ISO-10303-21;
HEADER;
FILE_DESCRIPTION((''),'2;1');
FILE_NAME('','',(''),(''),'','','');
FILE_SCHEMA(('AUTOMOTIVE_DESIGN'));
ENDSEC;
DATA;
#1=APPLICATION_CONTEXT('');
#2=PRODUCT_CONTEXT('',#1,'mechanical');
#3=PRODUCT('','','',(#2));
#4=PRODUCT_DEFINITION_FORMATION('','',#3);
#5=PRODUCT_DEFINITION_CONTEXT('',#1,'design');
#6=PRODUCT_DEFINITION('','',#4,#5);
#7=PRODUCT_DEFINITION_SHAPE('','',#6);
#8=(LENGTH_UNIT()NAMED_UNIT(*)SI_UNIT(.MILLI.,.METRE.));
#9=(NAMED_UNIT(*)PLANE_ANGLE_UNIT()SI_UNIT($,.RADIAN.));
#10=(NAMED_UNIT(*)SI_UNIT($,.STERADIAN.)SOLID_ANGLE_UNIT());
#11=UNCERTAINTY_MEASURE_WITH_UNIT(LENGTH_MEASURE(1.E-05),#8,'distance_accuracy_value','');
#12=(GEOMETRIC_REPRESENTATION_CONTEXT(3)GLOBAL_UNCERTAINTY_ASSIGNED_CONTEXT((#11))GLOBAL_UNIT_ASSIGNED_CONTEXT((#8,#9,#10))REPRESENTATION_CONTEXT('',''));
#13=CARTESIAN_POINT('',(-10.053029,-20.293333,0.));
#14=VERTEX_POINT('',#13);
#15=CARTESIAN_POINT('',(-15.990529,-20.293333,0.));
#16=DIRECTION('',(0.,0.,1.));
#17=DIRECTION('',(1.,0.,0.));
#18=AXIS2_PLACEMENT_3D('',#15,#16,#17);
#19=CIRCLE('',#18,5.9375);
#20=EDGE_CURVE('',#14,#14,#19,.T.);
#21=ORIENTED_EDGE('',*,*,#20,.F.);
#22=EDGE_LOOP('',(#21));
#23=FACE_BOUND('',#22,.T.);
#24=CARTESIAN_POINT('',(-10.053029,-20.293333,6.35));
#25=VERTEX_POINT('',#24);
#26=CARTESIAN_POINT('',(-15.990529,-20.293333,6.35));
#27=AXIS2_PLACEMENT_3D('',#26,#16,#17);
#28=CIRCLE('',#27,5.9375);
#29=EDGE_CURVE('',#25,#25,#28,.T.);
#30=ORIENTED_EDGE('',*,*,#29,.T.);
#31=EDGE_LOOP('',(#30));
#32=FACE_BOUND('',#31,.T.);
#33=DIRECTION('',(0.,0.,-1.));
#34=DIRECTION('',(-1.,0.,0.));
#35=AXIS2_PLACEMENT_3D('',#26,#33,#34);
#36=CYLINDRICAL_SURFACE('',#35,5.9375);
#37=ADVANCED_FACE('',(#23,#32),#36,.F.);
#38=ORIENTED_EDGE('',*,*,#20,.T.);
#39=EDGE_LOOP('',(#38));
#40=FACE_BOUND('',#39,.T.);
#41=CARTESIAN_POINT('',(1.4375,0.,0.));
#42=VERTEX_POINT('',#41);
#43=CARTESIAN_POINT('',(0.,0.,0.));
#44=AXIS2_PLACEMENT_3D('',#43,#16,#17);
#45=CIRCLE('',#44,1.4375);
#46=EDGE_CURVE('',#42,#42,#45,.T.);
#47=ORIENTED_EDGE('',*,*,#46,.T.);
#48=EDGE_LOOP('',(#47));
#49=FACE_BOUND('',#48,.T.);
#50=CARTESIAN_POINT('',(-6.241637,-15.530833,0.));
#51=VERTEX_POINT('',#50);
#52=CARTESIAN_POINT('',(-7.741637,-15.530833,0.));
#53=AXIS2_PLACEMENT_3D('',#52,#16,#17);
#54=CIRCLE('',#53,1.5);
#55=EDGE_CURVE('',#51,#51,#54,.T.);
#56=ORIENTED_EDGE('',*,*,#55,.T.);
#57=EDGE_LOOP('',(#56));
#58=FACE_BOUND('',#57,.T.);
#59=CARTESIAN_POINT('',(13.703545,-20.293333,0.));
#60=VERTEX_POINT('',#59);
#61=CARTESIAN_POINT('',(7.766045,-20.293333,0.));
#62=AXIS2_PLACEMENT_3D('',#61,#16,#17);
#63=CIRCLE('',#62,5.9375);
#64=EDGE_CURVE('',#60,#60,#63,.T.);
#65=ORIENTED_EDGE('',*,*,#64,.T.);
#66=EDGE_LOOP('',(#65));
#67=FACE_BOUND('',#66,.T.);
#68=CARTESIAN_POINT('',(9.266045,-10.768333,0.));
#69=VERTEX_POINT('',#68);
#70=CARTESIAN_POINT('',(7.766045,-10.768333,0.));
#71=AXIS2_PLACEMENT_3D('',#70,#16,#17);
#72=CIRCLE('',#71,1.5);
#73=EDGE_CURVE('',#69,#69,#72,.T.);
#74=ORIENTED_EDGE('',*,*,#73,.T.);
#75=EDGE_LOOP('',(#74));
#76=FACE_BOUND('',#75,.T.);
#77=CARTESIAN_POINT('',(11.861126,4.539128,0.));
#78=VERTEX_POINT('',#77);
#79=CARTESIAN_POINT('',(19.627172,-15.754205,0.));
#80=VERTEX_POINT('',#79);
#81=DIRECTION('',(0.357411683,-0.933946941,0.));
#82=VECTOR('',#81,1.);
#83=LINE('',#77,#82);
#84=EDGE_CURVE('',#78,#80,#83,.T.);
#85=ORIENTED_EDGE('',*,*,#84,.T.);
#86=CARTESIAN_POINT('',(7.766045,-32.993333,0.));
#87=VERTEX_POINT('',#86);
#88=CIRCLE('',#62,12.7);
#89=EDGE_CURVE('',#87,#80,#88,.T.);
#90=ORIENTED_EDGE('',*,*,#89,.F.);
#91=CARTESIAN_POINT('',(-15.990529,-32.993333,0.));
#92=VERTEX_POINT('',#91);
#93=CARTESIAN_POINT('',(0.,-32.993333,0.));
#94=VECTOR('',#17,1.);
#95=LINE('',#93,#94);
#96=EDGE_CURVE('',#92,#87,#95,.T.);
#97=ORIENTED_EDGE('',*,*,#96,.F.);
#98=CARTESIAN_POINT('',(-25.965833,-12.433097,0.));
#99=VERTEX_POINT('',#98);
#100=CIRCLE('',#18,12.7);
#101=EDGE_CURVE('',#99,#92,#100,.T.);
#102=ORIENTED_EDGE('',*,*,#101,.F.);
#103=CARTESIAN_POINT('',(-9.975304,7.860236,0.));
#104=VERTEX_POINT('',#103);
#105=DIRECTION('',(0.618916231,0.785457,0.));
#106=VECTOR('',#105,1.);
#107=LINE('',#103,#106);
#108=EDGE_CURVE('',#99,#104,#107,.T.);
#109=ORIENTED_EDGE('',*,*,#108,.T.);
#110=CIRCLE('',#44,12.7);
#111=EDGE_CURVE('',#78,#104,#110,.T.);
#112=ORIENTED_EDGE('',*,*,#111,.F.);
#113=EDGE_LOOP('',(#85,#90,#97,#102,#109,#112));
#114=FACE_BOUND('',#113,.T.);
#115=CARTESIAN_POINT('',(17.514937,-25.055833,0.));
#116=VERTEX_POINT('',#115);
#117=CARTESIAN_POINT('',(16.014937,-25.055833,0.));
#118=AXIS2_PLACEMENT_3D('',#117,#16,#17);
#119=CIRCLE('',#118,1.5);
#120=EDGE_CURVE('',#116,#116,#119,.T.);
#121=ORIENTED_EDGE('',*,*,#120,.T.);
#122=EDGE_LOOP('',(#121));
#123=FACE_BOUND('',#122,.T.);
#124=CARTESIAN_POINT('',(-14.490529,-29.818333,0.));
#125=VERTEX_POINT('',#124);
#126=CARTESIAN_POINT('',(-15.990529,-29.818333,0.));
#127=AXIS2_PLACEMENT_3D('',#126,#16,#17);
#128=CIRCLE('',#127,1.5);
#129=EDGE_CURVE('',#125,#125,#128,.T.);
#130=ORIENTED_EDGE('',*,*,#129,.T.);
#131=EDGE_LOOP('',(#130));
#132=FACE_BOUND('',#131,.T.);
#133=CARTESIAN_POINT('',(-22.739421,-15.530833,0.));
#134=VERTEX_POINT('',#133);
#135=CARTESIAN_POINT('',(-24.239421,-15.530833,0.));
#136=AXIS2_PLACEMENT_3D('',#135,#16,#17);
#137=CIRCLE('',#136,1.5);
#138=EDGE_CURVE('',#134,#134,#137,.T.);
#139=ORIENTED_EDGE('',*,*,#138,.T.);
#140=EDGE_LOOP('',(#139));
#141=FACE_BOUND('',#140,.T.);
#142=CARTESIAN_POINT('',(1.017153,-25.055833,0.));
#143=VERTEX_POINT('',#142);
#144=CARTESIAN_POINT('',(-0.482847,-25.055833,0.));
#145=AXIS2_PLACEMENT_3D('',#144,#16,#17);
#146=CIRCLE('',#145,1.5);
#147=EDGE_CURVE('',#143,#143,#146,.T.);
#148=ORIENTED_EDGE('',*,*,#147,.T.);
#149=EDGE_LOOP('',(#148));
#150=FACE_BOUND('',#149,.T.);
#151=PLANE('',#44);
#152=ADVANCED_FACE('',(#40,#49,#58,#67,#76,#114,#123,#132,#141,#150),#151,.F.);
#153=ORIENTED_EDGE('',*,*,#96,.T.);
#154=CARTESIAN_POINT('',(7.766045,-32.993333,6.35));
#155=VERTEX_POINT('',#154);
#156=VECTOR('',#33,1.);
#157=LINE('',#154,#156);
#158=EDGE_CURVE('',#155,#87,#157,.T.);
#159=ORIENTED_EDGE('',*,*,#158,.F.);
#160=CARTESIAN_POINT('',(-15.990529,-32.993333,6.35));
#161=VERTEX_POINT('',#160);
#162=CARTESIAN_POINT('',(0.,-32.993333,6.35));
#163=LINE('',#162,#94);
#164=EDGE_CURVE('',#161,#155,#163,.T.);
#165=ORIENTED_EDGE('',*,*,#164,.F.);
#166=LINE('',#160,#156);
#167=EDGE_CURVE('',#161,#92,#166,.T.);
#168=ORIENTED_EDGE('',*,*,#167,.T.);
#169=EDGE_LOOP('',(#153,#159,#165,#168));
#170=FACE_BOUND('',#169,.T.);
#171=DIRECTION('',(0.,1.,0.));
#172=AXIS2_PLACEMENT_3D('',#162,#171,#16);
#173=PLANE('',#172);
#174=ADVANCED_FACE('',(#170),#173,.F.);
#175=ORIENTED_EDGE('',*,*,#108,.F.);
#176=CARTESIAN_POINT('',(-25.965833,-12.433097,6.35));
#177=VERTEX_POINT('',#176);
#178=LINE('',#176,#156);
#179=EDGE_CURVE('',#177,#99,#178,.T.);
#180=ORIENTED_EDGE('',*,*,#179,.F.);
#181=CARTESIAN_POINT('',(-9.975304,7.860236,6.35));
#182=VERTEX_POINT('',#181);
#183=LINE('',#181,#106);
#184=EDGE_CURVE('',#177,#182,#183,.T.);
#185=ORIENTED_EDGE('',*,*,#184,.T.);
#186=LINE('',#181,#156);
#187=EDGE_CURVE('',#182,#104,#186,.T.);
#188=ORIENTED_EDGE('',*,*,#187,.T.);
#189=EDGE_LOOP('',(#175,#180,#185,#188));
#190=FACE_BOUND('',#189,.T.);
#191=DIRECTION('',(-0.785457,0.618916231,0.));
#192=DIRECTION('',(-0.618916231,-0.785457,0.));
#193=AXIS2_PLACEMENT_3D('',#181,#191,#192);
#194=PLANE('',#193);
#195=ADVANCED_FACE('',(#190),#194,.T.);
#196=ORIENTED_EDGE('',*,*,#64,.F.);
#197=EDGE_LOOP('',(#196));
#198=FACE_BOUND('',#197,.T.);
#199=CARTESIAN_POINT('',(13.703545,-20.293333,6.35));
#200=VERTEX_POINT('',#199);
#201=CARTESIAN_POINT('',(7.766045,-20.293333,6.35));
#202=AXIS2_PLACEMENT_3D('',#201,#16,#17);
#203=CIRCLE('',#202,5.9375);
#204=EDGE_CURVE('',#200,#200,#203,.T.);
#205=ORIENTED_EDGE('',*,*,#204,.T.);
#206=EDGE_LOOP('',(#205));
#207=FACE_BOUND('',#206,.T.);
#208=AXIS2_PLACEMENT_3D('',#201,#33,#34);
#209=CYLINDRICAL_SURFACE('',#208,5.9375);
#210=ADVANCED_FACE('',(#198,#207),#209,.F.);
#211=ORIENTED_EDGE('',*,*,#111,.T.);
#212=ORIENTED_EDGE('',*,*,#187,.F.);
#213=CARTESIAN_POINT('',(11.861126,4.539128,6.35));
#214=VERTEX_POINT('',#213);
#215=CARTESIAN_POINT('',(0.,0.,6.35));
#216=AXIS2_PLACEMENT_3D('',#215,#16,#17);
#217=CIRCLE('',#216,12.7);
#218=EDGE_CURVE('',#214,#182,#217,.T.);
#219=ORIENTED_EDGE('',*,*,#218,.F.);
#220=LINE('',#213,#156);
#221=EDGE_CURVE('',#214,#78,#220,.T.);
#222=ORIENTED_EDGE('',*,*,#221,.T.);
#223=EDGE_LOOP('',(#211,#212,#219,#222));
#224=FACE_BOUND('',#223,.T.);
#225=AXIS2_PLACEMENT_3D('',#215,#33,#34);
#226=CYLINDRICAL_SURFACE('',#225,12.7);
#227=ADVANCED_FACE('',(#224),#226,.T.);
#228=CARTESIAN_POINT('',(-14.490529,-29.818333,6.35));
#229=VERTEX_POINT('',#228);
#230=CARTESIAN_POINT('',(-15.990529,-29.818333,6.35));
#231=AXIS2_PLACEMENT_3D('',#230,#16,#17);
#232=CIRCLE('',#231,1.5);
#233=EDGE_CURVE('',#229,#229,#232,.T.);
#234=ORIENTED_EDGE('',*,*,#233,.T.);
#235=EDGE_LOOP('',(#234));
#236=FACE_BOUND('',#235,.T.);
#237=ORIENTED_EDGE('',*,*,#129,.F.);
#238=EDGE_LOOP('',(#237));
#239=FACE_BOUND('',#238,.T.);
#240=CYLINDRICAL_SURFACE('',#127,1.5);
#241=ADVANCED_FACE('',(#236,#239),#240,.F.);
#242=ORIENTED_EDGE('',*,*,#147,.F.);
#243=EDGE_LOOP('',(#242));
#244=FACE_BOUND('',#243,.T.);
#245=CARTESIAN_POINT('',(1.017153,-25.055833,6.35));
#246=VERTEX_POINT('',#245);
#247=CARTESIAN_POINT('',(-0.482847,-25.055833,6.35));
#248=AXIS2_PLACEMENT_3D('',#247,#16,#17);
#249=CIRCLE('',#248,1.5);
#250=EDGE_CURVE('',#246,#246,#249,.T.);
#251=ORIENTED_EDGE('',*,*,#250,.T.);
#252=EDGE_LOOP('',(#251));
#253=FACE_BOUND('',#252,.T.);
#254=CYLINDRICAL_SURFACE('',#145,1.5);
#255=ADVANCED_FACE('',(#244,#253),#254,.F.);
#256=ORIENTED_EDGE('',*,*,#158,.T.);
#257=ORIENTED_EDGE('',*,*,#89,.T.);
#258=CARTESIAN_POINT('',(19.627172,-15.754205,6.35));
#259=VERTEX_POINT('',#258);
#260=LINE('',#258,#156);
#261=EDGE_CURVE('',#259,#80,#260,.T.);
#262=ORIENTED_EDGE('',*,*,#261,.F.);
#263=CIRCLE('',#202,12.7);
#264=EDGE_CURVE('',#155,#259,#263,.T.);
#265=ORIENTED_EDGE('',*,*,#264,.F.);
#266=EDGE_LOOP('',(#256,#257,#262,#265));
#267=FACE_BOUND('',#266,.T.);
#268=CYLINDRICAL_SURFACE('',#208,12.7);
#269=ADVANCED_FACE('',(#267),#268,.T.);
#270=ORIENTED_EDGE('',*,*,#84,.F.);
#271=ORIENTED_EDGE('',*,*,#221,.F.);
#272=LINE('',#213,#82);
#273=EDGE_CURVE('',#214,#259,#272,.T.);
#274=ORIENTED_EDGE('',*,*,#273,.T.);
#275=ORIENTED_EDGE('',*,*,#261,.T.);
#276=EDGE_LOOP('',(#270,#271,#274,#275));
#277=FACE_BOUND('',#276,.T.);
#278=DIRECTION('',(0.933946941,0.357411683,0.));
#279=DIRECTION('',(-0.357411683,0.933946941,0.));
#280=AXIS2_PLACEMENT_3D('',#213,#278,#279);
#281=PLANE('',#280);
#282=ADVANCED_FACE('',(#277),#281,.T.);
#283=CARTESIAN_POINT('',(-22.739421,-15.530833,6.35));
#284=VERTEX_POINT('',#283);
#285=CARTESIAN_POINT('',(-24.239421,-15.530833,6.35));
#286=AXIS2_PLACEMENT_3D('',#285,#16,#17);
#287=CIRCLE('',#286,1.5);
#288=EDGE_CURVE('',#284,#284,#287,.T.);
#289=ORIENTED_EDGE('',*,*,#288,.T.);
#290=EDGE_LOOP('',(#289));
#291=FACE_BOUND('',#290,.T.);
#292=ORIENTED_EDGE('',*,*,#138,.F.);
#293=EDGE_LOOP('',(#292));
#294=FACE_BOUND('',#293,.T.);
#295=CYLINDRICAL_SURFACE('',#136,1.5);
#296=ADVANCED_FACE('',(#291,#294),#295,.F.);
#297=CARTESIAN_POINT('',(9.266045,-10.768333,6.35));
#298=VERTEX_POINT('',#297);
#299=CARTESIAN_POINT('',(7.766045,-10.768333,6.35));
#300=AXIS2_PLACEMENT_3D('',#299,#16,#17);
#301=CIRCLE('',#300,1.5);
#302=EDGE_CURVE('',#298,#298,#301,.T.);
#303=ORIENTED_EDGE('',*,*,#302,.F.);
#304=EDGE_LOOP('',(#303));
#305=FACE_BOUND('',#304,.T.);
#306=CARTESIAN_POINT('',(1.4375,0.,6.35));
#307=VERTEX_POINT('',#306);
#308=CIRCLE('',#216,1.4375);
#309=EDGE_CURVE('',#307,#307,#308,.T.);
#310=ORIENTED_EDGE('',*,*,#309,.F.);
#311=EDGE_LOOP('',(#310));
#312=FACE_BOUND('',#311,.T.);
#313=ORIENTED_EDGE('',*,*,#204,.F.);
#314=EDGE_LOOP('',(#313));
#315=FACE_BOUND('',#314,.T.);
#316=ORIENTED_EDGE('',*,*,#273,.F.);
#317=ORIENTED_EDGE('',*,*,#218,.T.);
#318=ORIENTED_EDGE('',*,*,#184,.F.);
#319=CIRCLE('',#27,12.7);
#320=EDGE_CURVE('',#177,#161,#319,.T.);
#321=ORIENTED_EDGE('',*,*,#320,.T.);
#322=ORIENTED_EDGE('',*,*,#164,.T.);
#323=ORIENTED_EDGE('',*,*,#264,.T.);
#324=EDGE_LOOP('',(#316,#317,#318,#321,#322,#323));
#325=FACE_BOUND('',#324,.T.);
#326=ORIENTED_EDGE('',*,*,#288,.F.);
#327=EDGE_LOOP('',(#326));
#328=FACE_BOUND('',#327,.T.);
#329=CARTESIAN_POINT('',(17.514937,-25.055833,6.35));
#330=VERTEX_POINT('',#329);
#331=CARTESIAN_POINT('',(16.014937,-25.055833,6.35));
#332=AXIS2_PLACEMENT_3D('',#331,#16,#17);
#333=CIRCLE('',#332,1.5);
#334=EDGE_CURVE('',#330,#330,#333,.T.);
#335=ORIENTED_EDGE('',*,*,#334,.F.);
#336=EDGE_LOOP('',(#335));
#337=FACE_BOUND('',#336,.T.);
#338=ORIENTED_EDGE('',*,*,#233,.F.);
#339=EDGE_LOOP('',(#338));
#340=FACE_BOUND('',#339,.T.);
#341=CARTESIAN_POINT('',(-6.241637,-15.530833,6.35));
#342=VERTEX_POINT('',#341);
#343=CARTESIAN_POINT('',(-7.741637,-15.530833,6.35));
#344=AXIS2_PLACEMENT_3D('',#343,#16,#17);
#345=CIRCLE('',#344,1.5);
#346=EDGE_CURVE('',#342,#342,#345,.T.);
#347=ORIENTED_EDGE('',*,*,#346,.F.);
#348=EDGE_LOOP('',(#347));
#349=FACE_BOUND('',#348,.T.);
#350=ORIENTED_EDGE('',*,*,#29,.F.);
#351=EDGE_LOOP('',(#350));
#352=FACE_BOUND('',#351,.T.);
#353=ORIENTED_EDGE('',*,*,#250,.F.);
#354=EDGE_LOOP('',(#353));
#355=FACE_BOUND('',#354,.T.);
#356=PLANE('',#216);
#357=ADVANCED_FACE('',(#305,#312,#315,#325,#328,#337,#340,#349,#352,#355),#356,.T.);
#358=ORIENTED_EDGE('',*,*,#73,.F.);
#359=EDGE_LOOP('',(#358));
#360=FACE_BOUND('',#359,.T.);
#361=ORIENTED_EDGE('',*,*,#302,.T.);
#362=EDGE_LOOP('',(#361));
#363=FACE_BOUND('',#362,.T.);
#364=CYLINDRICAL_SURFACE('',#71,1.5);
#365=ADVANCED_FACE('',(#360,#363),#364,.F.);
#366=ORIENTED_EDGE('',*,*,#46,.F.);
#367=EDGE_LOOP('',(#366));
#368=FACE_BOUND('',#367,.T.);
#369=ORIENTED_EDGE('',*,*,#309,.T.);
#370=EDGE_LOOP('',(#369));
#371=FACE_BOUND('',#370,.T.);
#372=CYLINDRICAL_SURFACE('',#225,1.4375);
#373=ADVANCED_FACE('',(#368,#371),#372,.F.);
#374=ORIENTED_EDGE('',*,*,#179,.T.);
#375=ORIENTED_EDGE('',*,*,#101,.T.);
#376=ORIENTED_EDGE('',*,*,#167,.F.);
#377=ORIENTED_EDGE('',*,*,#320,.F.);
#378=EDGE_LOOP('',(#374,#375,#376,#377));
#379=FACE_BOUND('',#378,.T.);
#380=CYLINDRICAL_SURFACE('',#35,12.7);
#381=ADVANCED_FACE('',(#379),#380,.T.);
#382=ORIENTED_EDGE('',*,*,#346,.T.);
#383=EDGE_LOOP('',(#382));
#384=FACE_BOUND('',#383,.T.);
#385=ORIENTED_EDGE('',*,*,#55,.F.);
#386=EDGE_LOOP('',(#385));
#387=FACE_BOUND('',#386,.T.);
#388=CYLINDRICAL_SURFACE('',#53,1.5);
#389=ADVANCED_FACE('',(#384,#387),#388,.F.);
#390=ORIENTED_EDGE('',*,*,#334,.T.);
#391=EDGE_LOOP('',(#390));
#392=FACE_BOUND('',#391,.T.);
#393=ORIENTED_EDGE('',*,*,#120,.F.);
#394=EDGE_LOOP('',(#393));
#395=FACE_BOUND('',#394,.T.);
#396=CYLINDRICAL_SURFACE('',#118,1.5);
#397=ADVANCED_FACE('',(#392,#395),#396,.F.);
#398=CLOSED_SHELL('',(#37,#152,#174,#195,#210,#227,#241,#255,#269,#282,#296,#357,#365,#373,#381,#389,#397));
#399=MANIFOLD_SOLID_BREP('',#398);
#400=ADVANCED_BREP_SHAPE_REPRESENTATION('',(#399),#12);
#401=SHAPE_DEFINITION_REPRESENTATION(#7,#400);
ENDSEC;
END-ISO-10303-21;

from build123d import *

# Parameters (mm, degrees)
SKETCH1_R           = 5.9375
SKETCH1_R_2         = 1.4375
BOSS_EXTRUDE1_DEPTH = 6.35
SKETCH8_R           = 1.5
CUT_EXTRUDE1_DEPTH  = 45.18177233


with BuildPart() as part:
    # Sketch1 → Boss-Extrude1 (new body)
    with BuildSketch(Plane.XY):
        with BuildLine():
            ThreePointArc((7.766045394, -32.993333104), (18.228763262, -27.492050685), (19.627171546, -15.754204728))
            Line((19.627171546, -15.754204728), (11.861126152, 4.539128375))
            ThreePointArc((11.861126152, 4.539128375), (1.909586496, 12.555615453), (-9.975303898, 7.860236137))
            Line((-9.975303898, 7.860236137), (-25.965833293, -12.433096966))
            ThreePointArc((-25.965833293, -12.433096966), (-27.416705459, -25.837023258), (-15.990529394, -32.993333104))
            Line((-15.990529394, -32.993333104), (7.766045394, -32.993333104))
        make_face()
        with Locations((-15.990529394, -20.293333104)):
            Circle(SKETCH1_R, mode=Mode.SUBTRACT)
        with Locations((7.766045394, -20.293333104)):
            Circle(SKETCH1_R, mode=Mode.SUBTRACT)
        Circle(SKETCH1_R_2, mode=Mode.SUBTRACT)
    extrude(amount=BOSS_EXTRUDE1_DEPTH)

    # Sketch8 → Cut-Extrude1 (cut, through all)
    with BuildSketch(Plane.XY.offset(6.35)):
        with Locations((7.766045394, -10.768333104)):
            Circle(SKETCH8_R)
        with Locations((-15.990529394, -29.818333104)):
            Circle(SKETCH8_R)
        with Locations((-24.239421365, -15.530833104)):
            Circle(SKETCH8_R)
        with Locations((-7.741637423, -15.530833104)):
            Circle(SKETCH8_R)
        with Locations((16.014937365, -25.055833104)):
            Circle(SKETCH8_R)
        with Locations((-0.482846577, -25.055833104)):
            Circle(SKETCH8_R)
    extrude(amount=-CUT_EXTRUDE1_DEPTH, mode=Mode.SUBTRACT)


solid = part.part
